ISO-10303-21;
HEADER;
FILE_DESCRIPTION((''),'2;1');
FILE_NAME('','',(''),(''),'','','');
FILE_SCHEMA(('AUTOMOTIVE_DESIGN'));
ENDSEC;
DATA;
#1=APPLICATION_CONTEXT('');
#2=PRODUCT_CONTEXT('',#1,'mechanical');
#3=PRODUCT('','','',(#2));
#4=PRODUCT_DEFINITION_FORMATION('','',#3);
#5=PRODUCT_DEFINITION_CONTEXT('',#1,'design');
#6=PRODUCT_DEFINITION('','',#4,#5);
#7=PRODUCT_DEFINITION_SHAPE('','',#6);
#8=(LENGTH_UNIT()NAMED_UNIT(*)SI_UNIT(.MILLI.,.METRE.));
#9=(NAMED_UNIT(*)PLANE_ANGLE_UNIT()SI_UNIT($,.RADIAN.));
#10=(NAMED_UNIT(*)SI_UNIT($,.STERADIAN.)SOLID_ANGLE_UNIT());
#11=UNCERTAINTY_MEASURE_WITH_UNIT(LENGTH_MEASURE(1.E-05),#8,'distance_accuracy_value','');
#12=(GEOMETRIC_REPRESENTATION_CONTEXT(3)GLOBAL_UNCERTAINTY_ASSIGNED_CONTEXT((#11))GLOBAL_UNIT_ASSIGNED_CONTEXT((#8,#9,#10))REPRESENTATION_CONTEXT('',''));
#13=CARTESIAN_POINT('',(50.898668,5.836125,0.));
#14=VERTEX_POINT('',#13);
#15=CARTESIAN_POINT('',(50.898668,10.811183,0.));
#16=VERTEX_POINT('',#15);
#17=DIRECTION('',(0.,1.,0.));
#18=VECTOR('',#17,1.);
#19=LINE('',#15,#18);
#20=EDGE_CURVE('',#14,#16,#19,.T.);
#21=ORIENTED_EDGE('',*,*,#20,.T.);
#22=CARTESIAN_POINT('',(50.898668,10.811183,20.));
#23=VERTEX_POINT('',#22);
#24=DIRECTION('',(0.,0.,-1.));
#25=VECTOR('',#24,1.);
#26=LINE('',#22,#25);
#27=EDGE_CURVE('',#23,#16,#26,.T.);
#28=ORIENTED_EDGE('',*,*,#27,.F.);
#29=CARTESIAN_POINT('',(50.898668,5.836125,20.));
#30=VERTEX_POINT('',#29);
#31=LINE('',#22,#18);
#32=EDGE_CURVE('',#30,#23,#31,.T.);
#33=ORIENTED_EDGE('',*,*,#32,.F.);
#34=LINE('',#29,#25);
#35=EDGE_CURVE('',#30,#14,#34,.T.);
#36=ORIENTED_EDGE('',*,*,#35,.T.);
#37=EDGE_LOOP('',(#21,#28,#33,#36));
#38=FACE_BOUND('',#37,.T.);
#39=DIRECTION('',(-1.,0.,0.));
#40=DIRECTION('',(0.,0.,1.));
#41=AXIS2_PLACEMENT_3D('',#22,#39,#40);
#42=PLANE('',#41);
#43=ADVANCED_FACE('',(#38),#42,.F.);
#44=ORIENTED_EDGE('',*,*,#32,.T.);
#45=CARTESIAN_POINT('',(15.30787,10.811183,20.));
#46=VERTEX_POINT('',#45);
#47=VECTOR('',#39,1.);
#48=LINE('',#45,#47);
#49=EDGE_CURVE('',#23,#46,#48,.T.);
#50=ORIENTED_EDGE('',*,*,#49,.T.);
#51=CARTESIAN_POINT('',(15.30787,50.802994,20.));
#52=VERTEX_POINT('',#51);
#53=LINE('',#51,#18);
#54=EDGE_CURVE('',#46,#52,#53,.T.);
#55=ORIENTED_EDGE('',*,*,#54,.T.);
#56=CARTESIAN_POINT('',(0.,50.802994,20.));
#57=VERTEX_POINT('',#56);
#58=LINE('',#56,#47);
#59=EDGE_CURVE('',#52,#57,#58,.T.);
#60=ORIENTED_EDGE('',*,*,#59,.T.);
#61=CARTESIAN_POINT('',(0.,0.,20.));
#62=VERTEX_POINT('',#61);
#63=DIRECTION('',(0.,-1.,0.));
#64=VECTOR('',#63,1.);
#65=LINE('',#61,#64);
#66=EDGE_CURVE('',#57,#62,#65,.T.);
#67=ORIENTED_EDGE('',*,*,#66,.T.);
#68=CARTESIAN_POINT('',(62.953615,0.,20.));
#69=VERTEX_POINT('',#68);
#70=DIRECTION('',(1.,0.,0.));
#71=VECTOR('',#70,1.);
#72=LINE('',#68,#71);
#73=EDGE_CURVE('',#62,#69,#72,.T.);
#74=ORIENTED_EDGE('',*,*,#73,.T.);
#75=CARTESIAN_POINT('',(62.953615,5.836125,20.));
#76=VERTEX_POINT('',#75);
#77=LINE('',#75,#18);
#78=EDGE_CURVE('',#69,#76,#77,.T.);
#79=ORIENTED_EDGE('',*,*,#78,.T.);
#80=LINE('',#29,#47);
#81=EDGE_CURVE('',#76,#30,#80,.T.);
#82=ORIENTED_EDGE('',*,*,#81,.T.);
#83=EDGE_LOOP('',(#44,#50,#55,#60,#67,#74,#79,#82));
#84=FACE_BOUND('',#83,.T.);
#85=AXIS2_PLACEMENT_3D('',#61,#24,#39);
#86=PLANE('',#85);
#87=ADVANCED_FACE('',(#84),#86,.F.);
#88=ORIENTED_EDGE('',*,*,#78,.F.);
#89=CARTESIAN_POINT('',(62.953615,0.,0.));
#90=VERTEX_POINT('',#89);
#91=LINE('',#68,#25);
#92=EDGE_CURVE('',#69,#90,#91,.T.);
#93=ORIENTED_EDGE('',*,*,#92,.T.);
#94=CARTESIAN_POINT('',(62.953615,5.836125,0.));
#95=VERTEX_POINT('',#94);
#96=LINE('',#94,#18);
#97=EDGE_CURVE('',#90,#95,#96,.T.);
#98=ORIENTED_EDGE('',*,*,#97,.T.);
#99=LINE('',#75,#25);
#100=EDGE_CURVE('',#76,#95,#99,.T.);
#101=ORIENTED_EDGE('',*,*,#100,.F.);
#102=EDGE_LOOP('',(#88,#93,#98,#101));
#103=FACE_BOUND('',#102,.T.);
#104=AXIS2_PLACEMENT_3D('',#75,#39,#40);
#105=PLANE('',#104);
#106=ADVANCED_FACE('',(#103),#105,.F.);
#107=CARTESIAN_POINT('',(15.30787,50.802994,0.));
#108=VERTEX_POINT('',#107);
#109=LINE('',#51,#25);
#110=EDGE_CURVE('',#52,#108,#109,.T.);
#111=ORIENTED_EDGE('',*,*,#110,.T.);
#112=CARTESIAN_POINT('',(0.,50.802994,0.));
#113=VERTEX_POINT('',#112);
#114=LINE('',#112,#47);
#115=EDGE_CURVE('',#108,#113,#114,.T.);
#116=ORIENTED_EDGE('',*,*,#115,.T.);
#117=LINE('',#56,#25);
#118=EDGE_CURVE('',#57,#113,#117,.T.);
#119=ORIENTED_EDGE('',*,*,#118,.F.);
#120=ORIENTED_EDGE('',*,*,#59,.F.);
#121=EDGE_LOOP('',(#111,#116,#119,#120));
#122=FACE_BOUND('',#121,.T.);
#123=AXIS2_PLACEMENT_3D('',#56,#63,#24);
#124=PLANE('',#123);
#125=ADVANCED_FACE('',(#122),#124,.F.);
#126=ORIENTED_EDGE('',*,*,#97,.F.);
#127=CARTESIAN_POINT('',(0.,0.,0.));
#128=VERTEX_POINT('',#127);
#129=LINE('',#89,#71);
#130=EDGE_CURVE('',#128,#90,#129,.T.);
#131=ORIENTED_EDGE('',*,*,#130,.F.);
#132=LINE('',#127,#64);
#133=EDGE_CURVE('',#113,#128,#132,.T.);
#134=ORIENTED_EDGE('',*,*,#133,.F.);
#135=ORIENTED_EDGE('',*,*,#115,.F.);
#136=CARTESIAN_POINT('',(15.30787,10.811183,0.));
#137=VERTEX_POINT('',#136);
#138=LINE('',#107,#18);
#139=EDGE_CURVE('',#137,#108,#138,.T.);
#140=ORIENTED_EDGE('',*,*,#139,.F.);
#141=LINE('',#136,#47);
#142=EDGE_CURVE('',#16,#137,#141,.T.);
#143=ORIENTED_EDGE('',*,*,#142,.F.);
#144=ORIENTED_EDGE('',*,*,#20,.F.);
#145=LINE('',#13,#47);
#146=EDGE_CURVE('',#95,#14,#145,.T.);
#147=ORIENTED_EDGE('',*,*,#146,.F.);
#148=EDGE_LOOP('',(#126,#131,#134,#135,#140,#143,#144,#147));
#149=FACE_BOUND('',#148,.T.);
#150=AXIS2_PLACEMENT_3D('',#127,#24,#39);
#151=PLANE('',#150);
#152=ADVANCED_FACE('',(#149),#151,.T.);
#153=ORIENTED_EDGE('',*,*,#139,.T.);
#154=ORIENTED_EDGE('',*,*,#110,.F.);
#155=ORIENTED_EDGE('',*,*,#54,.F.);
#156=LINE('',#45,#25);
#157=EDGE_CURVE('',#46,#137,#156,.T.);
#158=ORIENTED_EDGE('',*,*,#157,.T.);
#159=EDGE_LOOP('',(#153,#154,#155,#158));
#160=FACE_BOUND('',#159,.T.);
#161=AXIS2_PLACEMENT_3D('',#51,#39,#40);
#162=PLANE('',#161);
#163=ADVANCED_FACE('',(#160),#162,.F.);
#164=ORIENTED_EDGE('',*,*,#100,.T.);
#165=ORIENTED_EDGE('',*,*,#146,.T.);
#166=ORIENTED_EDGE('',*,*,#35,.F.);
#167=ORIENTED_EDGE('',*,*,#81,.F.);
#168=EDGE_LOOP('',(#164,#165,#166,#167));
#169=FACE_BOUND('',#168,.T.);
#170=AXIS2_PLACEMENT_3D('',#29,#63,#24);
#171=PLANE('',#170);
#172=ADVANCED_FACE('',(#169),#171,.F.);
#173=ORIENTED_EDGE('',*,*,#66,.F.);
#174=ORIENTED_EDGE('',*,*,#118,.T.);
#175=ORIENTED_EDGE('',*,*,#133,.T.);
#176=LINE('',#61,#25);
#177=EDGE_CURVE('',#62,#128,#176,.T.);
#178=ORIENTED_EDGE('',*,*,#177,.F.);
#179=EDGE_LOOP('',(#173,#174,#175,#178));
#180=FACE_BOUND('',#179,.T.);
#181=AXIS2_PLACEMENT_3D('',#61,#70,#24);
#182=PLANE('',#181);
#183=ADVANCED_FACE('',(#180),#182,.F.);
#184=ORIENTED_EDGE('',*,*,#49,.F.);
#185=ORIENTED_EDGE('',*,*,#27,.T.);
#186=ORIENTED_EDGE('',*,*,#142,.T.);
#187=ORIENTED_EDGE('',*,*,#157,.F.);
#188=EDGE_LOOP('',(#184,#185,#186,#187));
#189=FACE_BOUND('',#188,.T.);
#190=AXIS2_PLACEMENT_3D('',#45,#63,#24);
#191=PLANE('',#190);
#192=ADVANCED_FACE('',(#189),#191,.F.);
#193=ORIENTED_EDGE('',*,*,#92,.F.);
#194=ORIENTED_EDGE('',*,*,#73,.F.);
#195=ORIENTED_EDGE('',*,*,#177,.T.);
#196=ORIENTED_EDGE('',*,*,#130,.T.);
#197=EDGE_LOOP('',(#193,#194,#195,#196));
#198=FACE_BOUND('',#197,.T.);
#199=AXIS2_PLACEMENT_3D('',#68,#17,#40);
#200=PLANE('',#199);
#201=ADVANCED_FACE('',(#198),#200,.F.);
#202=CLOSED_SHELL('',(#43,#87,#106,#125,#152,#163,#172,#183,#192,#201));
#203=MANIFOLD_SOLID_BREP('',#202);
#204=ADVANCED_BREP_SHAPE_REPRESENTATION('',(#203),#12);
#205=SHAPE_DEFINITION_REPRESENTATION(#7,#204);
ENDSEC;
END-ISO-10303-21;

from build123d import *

# Parameters (mm, degrees)
BOSS_EXTRU_1_DEPTH = 20


with BuildPart() as part:
    # Esquisse1 → Boss.-Extru.1 (new body)
    with BuildSketch(Plane.XY):
        Polygon((0, 0), (0, 50.802993514), (15.307869985, 50.802993514), (15.307869985, 10.811183177), (50.898667701, 10.811183177), (50.898667701, 5.836125432), (62.953615315, 5.836125432), (62.953615315, 0), align=None)
    extrude(amount=BOSS_EXTRU_1_DEPTH)


solid = part.part
